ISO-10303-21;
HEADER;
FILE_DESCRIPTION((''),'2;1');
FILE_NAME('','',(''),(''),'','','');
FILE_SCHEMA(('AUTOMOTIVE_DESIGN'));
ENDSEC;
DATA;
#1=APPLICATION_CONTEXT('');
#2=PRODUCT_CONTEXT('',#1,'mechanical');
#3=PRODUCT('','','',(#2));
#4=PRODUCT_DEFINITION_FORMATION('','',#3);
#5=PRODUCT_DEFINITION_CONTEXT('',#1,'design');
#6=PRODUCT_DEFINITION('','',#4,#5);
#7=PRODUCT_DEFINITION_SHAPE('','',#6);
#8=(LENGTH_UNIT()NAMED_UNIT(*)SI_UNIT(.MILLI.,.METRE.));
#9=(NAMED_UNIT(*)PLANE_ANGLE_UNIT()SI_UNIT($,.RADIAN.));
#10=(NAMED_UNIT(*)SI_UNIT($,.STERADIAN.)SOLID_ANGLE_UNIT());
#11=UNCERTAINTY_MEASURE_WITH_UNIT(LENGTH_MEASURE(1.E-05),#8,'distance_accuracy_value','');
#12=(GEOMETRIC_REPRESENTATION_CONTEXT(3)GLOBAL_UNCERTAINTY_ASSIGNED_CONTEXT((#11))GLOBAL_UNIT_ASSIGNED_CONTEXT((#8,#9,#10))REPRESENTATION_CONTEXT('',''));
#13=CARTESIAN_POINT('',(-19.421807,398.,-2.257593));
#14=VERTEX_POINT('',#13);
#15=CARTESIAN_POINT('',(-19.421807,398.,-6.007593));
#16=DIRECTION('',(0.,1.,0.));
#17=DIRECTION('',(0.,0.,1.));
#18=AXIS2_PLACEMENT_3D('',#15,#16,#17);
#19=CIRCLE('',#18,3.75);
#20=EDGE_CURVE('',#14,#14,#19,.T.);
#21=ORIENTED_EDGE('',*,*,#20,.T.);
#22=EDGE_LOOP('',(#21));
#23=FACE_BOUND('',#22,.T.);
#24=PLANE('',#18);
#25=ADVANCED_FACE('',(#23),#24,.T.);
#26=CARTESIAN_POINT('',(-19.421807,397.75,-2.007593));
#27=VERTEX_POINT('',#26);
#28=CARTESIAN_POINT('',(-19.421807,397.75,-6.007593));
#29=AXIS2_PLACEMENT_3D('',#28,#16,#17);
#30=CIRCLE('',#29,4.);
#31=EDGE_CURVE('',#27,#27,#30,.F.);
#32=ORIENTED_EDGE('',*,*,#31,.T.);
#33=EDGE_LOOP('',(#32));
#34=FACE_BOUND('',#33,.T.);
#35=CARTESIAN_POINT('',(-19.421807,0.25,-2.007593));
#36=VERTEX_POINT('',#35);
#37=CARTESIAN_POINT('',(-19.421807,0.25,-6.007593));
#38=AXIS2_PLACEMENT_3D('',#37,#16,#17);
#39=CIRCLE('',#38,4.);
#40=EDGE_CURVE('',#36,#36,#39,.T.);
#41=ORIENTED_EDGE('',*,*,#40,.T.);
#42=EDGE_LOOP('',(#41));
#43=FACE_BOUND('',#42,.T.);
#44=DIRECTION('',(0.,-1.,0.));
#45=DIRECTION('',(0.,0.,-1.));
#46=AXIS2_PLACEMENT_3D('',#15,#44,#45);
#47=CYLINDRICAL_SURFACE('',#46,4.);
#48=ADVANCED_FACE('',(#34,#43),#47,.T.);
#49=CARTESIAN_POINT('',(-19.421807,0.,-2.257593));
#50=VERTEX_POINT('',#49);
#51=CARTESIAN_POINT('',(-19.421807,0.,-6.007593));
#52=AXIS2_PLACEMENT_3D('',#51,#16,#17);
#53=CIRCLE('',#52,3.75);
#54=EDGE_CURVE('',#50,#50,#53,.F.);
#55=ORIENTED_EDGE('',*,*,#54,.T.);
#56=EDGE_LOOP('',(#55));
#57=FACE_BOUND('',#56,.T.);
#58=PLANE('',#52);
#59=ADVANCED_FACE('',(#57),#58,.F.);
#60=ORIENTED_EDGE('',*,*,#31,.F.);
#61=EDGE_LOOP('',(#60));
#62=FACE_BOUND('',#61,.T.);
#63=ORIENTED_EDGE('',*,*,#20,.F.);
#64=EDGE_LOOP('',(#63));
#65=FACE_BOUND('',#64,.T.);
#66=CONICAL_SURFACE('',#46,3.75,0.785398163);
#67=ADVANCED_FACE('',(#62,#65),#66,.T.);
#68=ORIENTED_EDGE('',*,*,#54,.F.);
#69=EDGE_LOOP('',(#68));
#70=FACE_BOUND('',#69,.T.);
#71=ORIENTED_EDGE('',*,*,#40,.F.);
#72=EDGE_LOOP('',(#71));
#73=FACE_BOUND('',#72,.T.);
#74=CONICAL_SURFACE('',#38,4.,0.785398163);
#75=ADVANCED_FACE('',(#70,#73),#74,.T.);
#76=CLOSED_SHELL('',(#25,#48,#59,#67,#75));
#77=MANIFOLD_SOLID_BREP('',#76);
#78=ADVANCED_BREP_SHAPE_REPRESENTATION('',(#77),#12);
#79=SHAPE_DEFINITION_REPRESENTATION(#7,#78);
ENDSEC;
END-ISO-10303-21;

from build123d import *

# Parameters (mm, degrees)
SZKIC1_R                    = 4
DODANIE_WYCI_GNI_CIE1_DEPTH = 398
SFAZOWANIE1_SIZE            = 0.25


with BuildPart() as part:
    # Szkic1 → Dodanie-wyciągnięcie1 (new body)
    with BuildSketch(Plane(origin=(0, 0, 0), x_dir=(1, 0, 0), z_dir=(0, 1, 0))):
        with Locations(Location((-19.421806723, 6.007592757, 0), (0, 0, 270))):
            Circle(SZKIC1_R)
    extrude(amount=DODANIE_WYCI_GNI_CIE1_DEPTH)

    # Sfazowanie1
    sfazowanie1_edges = [part.edges().sort_by_distance(p)[0] for p in [
        (-19.421806723, 0, -10.007592757),
        (-19.421806723, 398, -10.007592757),
    ]]
    chamfer(sfazowanie1_edges, length=SFAZOWANIE1_SIZE)


solid = part.part
